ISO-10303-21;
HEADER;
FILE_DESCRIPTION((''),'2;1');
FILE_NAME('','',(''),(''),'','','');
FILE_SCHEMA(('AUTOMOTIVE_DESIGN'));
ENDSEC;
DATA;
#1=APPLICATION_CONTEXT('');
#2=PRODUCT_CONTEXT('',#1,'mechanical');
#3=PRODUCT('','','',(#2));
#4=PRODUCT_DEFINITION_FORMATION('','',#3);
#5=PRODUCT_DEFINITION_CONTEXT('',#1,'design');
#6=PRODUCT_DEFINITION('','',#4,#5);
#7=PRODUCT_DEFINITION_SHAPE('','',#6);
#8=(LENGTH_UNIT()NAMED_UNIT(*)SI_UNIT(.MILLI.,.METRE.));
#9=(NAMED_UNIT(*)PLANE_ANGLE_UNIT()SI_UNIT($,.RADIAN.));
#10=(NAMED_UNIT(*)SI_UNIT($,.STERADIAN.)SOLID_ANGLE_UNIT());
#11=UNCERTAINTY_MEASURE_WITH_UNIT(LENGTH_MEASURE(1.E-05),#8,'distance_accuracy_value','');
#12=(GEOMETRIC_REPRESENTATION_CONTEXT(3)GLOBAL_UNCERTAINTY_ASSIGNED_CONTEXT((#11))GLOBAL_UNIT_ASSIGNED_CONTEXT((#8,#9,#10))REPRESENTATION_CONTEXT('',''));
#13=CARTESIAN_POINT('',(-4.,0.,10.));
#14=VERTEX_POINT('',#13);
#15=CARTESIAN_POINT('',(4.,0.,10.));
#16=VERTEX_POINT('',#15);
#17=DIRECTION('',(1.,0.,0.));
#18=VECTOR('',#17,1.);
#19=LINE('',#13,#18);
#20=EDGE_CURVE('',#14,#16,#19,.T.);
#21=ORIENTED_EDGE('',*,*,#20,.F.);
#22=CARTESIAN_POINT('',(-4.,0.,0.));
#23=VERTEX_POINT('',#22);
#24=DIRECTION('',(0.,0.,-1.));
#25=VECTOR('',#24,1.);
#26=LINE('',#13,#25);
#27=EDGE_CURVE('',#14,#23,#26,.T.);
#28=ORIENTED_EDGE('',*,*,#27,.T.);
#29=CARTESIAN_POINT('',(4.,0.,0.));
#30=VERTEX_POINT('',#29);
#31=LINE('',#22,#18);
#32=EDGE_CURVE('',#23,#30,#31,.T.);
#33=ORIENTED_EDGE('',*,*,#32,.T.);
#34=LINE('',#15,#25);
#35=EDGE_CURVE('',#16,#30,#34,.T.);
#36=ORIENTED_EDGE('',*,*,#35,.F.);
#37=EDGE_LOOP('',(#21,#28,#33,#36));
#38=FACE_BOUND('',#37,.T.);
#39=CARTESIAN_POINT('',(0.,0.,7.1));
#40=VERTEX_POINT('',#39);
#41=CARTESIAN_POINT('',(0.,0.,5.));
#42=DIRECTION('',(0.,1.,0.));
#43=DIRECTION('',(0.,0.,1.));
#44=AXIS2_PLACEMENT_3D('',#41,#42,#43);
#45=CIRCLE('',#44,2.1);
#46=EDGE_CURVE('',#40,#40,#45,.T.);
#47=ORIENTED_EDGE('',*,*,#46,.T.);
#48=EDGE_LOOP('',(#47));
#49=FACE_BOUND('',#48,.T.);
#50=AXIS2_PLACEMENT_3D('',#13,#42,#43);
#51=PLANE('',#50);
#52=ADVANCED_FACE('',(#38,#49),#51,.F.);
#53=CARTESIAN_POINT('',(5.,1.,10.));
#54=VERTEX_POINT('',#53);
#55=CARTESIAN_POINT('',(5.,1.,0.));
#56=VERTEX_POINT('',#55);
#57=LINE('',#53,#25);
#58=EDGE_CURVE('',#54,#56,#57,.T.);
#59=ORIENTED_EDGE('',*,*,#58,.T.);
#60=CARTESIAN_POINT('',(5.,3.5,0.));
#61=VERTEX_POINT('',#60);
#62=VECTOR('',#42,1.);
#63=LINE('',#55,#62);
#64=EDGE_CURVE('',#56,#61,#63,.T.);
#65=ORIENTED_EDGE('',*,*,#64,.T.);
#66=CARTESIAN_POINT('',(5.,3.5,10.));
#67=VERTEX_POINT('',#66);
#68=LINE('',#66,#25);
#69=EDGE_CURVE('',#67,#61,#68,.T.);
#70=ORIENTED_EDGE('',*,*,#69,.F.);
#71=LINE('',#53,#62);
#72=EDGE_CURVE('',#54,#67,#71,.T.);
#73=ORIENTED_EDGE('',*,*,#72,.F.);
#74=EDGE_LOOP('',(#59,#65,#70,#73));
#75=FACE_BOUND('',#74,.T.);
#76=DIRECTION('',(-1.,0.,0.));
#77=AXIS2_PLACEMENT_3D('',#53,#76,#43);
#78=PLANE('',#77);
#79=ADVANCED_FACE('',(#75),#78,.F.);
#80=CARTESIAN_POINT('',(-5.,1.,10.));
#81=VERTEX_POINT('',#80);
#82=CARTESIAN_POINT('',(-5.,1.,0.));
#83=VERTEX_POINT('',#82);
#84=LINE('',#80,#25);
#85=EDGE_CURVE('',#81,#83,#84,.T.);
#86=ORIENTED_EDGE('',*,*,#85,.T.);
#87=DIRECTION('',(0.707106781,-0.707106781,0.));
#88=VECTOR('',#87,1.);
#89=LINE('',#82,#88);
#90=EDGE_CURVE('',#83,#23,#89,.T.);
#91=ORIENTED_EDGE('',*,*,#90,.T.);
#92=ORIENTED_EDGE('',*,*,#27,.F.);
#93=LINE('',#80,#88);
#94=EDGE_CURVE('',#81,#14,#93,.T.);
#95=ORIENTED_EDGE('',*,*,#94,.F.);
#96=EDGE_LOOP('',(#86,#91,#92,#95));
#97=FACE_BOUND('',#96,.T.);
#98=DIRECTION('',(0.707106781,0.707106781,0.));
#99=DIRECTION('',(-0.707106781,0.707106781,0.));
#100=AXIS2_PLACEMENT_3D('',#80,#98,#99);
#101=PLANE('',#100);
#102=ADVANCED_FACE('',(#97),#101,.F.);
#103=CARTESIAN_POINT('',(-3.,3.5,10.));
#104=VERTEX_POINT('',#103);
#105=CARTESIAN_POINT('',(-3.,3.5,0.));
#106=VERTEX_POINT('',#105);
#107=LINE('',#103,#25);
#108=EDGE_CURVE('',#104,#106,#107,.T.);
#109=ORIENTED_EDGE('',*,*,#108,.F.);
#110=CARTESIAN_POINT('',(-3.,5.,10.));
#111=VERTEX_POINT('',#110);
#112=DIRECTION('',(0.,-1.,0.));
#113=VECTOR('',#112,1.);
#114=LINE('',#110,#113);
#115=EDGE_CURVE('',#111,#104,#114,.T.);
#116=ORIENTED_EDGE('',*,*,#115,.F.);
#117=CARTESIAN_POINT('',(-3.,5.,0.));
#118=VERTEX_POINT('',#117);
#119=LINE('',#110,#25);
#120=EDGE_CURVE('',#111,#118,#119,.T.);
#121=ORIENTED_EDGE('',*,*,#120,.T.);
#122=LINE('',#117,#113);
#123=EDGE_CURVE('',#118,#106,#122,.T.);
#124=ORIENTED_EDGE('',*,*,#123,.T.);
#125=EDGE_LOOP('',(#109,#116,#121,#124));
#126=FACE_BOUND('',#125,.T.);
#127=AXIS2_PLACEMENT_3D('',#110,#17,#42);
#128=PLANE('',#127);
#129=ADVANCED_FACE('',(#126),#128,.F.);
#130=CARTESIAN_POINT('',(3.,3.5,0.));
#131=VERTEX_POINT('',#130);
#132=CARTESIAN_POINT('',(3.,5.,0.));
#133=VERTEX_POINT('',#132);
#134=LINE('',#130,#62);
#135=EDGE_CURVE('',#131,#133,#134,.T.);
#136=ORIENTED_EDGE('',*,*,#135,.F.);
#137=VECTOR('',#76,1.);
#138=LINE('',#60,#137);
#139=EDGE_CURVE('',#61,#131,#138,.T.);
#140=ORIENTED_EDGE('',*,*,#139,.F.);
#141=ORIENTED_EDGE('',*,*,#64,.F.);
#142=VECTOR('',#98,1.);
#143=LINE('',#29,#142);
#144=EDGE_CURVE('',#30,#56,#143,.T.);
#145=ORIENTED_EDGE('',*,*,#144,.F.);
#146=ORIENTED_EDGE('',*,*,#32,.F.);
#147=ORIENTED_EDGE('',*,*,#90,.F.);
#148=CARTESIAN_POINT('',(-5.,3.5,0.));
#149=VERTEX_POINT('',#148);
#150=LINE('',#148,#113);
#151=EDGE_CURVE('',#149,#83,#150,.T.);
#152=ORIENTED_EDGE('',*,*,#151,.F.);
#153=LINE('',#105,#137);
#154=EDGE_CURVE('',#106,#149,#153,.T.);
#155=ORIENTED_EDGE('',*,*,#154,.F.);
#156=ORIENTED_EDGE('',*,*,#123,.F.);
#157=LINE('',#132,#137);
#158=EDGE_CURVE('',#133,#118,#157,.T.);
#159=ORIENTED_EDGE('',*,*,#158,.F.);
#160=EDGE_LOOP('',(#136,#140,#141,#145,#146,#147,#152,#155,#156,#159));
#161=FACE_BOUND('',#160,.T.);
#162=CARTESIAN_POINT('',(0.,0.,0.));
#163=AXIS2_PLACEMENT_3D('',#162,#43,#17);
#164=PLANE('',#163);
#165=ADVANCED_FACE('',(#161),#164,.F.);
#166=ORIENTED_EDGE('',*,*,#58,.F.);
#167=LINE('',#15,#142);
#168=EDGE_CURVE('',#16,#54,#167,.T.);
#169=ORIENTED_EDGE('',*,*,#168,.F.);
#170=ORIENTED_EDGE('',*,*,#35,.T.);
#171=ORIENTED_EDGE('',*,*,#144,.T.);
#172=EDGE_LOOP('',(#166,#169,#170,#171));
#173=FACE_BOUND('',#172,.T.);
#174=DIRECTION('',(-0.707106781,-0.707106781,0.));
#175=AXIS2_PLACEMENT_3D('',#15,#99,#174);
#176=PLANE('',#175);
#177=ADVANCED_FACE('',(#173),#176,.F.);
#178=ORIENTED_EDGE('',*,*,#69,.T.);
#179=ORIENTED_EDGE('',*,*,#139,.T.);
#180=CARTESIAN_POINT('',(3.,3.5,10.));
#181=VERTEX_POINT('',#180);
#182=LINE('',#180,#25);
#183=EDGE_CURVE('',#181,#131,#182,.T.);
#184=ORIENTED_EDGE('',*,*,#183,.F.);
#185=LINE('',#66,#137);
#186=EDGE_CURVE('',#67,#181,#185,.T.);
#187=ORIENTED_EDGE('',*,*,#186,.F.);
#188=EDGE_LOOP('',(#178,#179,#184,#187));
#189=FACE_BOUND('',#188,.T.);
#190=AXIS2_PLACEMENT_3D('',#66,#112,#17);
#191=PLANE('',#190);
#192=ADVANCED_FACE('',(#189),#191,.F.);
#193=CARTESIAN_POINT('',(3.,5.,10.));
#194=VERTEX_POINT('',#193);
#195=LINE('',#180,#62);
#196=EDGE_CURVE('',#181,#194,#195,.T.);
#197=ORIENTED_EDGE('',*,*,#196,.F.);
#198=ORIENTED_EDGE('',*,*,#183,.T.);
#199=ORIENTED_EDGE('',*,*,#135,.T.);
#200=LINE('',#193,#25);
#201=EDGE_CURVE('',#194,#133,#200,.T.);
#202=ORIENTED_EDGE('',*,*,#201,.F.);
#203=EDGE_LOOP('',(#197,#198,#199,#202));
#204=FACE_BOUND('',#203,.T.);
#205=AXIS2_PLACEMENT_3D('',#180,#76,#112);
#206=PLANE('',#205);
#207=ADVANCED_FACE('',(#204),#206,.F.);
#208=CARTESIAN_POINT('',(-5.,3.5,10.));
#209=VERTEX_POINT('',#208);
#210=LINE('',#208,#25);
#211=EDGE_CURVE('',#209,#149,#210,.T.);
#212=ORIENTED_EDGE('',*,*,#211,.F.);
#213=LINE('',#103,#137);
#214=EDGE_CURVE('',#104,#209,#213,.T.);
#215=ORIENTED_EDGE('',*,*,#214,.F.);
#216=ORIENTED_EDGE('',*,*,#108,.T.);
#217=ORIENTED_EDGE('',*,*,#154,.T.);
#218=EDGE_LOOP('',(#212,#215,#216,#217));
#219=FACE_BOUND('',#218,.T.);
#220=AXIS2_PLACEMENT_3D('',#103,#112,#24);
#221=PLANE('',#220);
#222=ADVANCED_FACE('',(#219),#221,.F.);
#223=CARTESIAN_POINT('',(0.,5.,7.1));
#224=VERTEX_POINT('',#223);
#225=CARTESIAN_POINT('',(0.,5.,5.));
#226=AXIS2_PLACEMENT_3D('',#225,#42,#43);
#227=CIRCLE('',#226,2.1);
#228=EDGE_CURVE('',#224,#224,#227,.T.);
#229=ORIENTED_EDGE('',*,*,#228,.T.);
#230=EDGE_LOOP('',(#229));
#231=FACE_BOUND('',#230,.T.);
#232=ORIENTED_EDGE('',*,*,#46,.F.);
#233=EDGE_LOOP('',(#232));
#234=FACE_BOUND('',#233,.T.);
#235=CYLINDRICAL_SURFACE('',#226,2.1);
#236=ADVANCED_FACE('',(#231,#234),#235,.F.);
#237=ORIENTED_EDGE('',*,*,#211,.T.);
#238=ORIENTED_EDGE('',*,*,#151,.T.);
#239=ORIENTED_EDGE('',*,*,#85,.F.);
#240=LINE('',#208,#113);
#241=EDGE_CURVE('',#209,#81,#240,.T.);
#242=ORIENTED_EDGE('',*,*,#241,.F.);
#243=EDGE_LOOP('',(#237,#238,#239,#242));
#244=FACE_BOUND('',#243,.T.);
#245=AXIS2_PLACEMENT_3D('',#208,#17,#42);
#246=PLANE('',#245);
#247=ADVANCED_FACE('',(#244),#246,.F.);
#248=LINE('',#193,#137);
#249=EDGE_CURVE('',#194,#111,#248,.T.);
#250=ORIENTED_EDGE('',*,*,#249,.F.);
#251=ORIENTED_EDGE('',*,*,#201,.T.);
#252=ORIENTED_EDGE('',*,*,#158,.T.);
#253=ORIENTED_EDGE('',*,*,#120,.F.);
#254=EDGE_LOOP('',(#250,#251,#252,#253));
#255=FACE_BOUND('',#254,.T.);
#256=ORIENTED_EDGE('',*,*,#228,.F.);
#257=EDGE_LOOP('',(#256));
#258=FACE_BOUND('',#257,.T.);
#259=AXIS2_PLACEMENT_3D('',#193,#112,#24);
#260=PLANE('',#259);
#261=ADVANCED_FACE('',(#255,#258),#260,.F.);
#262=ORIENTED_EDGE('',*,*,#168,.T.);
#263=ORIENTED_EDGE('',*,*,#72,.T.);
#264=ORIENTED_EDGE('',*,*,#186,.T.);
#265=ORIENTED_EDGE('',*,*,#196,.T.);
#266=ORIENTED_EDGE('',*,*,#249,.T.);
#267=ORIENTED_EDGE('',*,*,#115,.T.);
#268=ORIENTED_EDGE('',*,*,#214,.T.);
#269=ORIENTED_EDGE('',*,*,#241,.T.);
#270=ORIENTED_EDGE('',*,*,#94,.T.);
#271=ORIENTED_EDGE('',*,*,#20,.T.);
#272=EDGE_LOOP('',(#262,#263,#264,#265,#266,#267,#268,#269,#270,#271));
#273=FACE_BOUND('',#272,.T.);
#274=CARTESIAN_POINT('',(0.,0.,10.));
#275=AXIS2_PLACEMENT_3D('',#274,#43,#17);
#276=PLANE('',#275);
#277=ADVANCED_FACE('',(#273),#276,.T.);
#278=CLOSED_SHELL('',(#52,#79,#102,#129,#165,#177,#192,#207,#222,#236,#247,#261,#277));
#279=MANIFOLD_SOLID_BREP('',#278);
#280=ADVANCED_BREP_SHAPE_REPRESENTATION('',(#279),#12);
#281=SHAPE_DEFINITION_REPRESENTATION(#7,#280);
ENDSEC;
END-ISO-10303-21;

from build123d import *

# Parameters (mm, degrees)
BOSS_EXTRUDE1_DEPTH   = 10
M5X0_8_TAPPED_HOLE1_D = 4.2


with BuildPart() as part:
    # Sketch1 → Boss-Extrude1 (new body)
    with BuildSketch(Plane.XY):
        Polygon((-4, 0), (4, 0), (5, 1), (5, 3.5), (3, 3.5), (3, 5), (-3, 5), (-3, 3.5), (-5, 3.5), (-5, 1), align=None)
    extrude(amount=BOSS_EXTRUDE1_DEPTH)

    # M5x0.8 Tapped Hole1 (through all)
    with Locations(Plane(origin=(0, 5, 0), x_dir=(1, 0, 0), z_dir=(0, 1, 0))):
        with Locations((0, -5)):
            Hole(M5X0_8_TAPPED_HOLE1_D / 2)


solid = part.part
